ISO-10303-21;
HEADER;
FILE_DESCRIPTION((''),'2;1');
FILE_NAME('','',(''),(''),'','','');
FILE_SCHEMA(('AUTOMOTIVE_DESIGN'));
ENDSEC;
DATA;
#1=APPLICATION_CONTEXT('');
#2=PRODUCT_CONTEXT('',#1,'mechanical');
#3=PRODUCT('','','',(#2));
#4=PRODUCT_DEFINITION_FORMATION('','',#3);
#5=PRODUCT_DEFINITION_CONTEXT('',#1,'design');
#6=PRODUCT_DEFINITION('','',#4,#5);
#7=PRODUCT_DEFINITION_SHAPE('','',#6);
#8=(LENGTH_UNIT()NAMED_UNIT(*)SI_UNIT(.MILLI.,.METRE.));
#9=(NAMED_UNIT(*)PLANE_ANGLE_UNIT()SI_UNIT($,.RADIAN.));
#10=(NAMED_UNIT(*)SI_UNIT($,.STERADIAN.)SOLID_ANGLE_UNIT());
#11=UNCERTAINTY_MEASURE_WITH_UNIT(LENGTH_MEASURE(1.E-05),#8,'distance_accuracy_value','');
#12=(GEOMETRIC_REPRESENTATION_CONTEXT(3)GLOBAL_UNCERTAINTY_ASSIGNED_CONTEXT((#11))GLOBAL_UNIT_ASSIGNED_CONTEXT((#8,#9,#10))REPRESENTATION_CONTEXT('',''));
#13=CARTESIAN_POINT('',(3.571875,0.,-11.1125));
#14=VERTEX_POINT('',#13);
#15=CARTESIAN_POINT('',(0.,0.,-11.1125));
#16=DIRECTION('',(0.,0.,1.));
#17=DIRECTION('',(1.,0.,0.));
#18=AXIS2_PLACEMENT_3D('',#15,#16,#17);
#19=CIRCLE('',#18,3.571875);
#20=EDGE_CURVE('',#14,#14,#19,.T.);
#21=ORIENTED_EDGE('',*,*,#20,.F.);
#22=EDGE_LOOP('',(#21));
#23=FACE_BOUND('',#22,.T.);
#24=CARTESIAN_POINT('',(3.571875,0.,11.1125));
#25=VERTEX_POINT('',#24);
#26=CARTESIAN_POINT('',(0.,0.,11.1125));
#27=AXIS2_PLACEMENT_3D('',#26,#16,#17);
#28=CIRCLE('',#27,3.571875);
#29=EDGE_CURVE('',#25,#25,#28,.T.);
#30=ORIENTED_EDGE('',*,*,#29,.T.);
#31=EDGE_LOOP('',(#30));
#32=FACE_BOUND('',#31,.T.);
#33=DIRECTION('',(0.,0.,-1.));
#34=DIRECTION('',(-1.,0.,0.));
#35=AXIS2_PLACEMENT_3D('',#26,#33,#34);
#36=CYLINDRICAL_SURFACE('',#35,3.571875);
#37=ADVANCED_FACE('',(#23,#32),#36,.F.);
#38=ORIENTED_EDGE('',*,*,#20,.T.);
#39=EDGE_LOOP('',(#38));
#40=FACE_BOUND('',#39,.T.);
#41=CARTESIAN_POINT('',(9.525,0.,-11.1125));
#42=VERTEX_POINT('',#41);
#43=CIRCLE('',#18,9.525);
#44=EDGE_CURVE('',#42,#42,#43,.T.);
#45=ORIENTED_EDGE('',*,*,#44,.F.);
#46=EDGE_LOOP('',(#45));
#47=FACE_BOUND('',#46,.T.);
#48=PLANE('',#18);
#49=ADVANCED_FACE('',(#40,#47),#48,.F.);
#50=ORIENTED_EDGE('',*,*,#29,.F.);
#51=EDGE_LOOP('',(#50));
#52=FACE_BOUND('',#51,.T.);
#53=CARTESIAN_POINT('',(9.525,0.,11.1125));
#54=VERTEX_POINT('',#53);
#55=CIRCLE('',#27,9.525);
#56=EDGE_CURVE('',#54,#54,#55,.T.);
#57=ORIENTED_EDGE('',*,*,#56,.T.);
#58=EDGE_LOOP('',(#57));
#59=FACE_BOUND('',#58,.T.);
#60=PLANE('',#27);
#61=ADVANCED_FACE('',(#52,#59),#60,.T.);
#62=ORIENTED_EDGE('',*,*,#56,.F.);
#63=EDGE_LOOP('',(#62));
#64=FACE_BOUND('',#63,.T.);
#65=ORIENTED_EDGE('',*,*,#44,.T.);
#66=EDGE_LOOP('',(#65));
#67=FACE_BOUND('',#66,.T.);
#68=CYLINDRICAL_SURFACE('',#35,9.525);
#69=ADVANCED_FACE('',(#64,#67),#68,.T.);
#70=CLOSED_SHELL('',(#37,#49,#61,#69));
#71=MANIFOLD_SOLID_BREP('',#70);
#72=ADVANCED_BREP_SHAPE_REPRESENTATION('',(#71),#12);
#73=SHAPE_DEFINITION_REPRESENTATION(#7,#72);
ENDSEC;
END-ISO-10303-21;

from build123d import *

# Parameters (mm, degrees)
SKETCH1_R      = 9.525
SKETCH1_R_2    = 3.571875
EXTRUDE1_DEPTH = 11.1125


with BuildPart() as part:
    # Sketch1 → Extrude1 (new body, symmetric)
    with BuildSketch(Plane.XY):
        Circle(SKETCH1_R)
        Circle(SKETCH1_R_2, mode=Mode.SUBTRACT)
    extrude(amount=EXTRUDE1_DEPTH, both=True)


solid = part.part
